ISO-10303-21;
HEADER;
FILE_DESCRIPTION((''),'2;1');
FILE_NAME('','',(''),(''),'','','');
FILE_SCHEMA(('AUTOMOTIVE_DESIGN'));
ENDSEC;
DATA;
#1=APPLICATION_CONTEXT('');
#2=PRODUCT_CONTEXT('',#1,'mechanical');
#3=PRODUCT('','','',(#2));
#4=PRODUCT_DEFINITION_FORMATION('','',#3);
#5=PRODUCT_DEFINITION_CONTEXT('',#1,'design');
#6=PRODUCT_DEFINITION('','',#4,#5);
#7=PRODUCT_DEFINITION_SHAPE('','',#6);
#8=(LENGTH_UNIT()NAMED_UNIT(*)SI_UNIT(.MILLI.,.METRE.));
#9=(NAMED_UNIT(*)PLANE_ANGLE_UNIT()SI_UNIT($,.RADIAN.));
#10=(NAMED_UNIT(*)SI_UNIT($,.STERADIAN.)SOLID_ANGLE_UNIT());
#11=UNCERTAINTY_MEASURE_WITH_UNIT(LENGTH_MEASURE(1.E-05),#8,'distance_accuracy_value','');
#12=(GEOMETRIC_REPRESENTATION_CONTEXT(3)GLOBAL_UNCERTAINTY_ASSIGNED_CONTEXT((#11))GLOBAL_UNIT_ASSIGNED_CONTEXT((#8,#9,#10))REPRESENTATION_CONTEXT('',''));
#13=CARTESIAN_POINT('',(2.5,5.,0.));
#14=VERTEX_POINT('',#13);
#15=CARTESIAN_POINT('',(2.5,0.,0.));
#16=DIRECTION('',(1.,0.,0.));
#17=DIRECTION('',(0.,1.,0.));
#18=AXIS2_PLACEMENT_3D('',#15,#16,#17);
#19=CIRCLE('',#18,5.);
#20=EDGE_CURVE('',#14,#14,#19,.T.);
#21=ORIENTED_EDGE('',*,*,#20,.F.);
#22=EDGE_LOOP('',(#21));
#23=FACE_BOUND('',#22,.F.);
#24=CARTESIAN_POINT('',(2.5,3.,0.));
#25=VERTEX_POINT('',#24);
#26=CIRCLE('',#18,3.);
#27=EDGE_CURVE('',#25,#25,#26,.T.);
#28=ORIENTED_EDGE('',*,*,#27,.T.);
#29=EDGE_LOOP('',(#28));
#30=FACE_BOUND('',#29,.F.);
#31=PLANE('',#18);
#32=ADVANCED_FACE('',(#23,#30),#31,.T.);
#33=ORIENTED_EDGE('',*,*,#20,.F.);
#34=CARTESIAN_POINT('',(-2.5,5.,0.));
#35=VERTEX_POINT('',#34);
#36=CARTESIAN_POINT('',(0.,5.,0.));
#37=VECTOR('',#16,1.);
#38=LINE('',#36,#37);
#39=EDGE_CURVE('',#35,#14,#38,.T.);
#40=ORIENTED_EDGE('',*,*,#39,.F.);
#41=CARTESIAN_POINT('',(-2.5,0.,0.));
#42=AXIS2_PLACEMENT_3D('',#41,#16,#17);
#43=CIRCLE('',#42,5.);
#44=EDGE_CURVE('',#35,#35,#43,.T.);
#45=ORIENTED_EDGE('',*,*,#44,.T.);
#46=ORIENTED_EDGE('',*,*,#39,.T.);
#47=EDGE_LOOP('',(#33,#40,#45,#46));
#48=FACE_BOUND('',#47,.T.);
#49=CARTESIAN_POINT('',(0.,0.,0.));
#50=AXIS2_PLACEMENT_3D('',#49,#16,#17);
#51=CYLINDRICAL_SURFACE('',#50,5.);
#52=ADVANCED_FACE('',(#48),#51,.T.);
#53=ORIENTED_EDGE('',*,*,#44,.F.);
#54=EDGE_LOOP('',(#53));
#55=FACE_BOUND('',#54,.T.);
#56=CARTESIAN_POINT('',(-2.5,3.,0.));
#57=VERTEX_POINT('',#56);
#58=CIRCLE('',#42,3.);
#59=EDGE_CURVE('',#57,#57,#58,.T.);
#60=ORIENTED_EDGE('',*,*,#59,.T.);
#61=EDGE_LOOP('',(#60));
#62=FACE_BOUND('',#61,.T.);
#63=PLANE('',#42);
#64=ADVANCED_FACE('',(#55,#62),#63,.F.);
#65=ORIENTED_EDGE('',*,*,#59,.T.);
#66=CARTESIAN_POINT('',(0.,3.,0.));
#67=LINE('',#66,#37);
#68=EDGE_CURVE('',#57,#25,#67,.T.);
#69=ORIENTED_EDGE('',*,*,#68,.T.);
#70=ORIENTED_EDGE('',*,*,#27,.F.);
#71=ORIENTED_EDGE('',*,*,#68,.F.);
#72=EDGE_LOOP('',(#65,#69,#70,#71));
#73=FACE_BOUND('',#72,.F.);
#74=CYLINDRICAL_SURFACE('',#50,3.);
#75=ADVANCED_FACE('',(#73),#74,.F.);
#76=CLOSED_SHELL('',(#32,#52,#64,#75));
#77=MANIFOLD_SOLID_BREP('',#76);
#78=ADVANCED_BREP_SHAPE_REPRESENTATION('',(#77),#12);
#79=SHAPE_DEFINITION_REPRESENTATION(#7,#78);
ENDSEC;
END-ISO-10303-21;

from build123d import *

# Parameters (mm, degrees)
SKETCH1_W = 5
SKETCH1_H = 2


with BuildPart() as part:
    # Sketch1 → Revolve1 (revolve)
    with BuildSketch(Plane.XY):
        with Locations((0, 4)):
            Rectangle(SKETCH1_W, SKETCH1_H)
    revolve(axis=Axis((-37.003163219, 0, 0), (1, 0, 0)))


solid = part.part
